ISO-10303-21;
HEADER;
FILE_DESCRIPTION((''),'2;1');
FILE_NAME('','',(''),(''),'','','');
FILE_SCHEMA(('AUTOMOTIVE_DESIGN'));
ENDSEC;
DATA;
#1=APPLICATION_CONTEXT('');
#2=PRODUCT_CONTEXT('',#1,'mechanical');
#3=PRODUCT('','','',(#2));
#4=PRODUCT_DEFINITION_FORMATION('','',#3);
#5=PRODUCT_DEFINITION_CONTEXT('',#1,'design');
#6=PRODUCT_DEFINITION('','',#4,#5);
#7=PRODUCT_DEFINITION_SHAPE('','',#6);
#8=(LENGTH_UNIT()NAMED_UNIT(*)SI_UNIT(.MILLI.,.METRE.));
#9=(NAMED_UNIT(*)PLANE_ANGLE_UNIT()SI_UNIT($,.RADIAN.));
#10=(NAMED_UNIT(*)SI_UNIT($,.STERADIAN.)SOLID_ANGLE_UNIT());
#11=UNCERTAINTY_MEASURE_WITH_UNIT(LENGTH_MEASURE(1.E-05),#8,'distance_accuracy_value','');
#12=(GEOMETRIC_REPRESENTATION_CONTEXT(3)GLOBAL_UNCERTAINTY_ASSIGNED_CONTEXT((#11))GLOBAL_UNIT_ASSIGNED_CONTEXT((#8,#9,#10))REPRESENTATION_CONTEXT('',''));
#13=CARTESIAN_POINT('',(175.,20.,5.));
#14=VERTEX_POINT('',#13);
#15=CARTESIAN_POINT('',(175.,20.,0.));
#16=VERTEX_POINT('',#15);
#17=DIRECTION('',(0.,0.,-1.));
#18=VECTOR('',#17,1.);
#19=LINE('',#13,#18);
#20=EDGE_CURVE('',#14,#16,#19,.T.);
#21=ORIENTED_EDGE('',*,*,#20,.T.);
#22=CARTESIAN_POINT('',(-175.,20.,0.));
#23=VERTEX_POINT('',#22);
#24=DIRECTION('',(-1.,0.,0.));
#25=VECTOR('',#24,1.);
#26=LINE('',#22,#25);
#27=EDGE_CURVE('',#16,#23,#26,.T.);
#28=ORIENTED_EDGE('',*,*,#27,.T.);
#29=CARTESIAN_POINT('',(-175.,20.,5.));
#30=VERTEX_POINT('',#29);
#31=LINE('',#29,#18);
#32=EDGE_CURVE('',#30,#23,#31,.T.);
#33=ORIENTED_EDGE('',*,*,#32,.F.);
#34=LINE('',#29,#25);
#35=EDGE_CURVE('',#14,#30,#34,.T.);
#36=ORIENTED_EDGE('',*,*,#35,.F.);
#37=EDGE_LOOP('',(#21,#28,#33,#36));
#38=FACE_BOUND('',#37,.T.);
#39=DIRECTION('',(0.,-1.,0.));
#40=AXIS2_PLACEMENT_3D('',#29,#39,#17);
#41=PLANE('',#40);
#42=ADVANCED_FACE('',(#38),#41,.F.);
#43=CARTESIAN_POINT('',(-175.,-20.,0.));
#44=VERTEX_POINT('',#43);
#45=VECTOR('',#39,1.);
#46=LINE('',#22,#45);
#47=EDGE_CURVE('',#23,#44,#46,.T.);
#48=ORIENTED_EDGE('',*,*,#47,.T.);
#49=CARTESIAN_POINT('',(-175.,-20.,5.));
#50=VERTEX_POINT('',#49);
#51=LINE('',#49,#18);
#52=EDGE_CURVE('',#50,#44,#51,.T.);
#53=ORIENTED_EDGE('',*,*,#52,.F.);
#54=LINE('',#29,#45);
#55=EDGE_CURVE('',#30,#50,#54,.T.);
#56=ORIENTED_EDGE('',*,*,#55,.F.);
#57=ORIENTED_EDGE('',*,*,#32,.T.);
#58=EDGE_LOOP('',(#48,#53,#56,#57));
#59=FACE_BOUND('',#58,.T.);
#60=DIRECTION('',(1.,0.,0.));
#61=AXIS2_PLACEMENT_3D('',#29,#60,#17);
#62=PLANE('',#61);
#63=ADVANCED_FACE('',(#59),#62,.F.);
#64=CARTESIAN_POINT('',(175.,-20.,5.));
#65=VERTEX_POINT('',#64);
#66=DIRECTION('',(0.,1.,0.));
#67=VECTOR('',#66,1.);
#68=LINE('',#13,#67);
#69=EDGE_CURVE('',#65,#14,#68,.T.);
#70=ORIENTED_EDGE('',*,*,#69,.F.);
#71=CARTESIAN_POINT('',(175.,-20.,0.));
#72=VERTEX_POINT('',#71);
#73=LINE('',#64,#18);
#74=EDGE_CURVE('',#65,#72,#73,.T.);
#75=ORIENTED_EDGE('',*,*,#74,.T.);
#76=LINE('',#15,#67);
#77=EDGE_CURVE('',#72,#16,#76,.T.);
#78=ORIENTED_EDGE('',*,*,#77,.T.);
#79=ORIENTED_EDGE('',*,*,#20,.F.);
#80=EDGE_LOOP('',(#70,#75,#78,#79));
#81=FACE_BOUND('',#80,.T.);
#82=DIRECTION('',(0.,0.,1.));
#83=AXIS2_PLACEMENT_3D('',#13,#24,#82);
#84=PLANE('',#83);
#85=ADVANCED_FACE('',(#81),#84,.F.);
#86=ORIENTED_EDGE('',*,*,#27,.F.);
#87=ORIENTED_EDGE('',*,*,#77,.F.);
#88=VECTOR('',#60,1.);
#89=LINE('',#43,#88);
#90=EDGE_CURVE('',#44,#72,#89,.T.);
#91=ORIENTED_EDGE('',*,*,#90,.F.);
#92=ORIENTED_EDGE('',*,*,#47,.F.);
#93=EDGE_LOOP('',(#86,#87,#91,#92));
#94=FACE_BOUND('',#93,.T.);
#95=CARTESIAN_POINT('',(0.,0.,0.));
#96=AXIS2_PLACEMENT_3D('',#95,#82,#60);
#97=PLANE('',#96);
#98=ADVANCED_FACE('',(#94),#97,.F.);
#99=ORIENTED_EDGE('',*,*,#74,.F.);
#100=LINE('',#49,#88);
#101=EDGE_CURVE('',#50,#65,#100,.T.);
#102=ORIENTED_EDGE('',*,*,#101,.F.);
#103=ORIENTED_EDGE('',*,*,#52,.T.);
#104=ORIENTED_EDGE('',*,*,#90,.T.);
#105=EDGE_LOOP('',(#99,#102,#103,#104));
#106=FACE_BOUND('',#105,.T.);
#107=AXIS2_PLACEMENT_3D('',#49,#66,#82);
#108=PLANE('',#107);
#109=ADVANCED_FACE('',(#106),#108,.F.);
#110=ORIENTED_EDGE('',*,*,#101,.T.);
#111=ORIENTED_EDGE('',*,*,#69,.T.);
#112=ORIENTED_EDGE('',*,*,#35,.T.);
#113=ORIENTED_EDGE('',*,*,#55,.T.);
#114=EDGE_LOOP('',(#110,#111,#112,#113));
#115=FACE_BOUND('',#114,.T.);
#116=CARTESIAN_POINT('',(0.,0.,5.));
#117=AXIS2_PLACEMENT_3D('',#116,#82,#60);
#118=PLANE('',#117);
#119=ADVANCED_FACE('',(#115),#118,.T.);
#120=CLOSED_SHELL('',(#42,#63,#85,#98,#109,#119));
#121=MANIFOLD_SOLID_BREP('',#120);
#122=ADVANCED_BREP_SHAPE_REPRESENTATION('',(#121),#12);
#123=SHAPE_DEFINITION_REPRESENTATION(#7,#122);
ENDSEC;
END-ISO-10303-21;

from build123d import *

# Parameters (mm, degrees)
SKETCH_1_W      = 350
SKETCH_1_H      = 40
EXTRUDE_1_DEPTH = 5


with BuildPart() as part:
    # 草图1 → 凸台-拉伸1 (new body)
    with BuildSketch(Plane.XY):
        Rectangle(SKETCH_1_W, SKETCH_1_H)
    extrude(amount=EXTRUDE_1_DEPTH)


solid = part.part
